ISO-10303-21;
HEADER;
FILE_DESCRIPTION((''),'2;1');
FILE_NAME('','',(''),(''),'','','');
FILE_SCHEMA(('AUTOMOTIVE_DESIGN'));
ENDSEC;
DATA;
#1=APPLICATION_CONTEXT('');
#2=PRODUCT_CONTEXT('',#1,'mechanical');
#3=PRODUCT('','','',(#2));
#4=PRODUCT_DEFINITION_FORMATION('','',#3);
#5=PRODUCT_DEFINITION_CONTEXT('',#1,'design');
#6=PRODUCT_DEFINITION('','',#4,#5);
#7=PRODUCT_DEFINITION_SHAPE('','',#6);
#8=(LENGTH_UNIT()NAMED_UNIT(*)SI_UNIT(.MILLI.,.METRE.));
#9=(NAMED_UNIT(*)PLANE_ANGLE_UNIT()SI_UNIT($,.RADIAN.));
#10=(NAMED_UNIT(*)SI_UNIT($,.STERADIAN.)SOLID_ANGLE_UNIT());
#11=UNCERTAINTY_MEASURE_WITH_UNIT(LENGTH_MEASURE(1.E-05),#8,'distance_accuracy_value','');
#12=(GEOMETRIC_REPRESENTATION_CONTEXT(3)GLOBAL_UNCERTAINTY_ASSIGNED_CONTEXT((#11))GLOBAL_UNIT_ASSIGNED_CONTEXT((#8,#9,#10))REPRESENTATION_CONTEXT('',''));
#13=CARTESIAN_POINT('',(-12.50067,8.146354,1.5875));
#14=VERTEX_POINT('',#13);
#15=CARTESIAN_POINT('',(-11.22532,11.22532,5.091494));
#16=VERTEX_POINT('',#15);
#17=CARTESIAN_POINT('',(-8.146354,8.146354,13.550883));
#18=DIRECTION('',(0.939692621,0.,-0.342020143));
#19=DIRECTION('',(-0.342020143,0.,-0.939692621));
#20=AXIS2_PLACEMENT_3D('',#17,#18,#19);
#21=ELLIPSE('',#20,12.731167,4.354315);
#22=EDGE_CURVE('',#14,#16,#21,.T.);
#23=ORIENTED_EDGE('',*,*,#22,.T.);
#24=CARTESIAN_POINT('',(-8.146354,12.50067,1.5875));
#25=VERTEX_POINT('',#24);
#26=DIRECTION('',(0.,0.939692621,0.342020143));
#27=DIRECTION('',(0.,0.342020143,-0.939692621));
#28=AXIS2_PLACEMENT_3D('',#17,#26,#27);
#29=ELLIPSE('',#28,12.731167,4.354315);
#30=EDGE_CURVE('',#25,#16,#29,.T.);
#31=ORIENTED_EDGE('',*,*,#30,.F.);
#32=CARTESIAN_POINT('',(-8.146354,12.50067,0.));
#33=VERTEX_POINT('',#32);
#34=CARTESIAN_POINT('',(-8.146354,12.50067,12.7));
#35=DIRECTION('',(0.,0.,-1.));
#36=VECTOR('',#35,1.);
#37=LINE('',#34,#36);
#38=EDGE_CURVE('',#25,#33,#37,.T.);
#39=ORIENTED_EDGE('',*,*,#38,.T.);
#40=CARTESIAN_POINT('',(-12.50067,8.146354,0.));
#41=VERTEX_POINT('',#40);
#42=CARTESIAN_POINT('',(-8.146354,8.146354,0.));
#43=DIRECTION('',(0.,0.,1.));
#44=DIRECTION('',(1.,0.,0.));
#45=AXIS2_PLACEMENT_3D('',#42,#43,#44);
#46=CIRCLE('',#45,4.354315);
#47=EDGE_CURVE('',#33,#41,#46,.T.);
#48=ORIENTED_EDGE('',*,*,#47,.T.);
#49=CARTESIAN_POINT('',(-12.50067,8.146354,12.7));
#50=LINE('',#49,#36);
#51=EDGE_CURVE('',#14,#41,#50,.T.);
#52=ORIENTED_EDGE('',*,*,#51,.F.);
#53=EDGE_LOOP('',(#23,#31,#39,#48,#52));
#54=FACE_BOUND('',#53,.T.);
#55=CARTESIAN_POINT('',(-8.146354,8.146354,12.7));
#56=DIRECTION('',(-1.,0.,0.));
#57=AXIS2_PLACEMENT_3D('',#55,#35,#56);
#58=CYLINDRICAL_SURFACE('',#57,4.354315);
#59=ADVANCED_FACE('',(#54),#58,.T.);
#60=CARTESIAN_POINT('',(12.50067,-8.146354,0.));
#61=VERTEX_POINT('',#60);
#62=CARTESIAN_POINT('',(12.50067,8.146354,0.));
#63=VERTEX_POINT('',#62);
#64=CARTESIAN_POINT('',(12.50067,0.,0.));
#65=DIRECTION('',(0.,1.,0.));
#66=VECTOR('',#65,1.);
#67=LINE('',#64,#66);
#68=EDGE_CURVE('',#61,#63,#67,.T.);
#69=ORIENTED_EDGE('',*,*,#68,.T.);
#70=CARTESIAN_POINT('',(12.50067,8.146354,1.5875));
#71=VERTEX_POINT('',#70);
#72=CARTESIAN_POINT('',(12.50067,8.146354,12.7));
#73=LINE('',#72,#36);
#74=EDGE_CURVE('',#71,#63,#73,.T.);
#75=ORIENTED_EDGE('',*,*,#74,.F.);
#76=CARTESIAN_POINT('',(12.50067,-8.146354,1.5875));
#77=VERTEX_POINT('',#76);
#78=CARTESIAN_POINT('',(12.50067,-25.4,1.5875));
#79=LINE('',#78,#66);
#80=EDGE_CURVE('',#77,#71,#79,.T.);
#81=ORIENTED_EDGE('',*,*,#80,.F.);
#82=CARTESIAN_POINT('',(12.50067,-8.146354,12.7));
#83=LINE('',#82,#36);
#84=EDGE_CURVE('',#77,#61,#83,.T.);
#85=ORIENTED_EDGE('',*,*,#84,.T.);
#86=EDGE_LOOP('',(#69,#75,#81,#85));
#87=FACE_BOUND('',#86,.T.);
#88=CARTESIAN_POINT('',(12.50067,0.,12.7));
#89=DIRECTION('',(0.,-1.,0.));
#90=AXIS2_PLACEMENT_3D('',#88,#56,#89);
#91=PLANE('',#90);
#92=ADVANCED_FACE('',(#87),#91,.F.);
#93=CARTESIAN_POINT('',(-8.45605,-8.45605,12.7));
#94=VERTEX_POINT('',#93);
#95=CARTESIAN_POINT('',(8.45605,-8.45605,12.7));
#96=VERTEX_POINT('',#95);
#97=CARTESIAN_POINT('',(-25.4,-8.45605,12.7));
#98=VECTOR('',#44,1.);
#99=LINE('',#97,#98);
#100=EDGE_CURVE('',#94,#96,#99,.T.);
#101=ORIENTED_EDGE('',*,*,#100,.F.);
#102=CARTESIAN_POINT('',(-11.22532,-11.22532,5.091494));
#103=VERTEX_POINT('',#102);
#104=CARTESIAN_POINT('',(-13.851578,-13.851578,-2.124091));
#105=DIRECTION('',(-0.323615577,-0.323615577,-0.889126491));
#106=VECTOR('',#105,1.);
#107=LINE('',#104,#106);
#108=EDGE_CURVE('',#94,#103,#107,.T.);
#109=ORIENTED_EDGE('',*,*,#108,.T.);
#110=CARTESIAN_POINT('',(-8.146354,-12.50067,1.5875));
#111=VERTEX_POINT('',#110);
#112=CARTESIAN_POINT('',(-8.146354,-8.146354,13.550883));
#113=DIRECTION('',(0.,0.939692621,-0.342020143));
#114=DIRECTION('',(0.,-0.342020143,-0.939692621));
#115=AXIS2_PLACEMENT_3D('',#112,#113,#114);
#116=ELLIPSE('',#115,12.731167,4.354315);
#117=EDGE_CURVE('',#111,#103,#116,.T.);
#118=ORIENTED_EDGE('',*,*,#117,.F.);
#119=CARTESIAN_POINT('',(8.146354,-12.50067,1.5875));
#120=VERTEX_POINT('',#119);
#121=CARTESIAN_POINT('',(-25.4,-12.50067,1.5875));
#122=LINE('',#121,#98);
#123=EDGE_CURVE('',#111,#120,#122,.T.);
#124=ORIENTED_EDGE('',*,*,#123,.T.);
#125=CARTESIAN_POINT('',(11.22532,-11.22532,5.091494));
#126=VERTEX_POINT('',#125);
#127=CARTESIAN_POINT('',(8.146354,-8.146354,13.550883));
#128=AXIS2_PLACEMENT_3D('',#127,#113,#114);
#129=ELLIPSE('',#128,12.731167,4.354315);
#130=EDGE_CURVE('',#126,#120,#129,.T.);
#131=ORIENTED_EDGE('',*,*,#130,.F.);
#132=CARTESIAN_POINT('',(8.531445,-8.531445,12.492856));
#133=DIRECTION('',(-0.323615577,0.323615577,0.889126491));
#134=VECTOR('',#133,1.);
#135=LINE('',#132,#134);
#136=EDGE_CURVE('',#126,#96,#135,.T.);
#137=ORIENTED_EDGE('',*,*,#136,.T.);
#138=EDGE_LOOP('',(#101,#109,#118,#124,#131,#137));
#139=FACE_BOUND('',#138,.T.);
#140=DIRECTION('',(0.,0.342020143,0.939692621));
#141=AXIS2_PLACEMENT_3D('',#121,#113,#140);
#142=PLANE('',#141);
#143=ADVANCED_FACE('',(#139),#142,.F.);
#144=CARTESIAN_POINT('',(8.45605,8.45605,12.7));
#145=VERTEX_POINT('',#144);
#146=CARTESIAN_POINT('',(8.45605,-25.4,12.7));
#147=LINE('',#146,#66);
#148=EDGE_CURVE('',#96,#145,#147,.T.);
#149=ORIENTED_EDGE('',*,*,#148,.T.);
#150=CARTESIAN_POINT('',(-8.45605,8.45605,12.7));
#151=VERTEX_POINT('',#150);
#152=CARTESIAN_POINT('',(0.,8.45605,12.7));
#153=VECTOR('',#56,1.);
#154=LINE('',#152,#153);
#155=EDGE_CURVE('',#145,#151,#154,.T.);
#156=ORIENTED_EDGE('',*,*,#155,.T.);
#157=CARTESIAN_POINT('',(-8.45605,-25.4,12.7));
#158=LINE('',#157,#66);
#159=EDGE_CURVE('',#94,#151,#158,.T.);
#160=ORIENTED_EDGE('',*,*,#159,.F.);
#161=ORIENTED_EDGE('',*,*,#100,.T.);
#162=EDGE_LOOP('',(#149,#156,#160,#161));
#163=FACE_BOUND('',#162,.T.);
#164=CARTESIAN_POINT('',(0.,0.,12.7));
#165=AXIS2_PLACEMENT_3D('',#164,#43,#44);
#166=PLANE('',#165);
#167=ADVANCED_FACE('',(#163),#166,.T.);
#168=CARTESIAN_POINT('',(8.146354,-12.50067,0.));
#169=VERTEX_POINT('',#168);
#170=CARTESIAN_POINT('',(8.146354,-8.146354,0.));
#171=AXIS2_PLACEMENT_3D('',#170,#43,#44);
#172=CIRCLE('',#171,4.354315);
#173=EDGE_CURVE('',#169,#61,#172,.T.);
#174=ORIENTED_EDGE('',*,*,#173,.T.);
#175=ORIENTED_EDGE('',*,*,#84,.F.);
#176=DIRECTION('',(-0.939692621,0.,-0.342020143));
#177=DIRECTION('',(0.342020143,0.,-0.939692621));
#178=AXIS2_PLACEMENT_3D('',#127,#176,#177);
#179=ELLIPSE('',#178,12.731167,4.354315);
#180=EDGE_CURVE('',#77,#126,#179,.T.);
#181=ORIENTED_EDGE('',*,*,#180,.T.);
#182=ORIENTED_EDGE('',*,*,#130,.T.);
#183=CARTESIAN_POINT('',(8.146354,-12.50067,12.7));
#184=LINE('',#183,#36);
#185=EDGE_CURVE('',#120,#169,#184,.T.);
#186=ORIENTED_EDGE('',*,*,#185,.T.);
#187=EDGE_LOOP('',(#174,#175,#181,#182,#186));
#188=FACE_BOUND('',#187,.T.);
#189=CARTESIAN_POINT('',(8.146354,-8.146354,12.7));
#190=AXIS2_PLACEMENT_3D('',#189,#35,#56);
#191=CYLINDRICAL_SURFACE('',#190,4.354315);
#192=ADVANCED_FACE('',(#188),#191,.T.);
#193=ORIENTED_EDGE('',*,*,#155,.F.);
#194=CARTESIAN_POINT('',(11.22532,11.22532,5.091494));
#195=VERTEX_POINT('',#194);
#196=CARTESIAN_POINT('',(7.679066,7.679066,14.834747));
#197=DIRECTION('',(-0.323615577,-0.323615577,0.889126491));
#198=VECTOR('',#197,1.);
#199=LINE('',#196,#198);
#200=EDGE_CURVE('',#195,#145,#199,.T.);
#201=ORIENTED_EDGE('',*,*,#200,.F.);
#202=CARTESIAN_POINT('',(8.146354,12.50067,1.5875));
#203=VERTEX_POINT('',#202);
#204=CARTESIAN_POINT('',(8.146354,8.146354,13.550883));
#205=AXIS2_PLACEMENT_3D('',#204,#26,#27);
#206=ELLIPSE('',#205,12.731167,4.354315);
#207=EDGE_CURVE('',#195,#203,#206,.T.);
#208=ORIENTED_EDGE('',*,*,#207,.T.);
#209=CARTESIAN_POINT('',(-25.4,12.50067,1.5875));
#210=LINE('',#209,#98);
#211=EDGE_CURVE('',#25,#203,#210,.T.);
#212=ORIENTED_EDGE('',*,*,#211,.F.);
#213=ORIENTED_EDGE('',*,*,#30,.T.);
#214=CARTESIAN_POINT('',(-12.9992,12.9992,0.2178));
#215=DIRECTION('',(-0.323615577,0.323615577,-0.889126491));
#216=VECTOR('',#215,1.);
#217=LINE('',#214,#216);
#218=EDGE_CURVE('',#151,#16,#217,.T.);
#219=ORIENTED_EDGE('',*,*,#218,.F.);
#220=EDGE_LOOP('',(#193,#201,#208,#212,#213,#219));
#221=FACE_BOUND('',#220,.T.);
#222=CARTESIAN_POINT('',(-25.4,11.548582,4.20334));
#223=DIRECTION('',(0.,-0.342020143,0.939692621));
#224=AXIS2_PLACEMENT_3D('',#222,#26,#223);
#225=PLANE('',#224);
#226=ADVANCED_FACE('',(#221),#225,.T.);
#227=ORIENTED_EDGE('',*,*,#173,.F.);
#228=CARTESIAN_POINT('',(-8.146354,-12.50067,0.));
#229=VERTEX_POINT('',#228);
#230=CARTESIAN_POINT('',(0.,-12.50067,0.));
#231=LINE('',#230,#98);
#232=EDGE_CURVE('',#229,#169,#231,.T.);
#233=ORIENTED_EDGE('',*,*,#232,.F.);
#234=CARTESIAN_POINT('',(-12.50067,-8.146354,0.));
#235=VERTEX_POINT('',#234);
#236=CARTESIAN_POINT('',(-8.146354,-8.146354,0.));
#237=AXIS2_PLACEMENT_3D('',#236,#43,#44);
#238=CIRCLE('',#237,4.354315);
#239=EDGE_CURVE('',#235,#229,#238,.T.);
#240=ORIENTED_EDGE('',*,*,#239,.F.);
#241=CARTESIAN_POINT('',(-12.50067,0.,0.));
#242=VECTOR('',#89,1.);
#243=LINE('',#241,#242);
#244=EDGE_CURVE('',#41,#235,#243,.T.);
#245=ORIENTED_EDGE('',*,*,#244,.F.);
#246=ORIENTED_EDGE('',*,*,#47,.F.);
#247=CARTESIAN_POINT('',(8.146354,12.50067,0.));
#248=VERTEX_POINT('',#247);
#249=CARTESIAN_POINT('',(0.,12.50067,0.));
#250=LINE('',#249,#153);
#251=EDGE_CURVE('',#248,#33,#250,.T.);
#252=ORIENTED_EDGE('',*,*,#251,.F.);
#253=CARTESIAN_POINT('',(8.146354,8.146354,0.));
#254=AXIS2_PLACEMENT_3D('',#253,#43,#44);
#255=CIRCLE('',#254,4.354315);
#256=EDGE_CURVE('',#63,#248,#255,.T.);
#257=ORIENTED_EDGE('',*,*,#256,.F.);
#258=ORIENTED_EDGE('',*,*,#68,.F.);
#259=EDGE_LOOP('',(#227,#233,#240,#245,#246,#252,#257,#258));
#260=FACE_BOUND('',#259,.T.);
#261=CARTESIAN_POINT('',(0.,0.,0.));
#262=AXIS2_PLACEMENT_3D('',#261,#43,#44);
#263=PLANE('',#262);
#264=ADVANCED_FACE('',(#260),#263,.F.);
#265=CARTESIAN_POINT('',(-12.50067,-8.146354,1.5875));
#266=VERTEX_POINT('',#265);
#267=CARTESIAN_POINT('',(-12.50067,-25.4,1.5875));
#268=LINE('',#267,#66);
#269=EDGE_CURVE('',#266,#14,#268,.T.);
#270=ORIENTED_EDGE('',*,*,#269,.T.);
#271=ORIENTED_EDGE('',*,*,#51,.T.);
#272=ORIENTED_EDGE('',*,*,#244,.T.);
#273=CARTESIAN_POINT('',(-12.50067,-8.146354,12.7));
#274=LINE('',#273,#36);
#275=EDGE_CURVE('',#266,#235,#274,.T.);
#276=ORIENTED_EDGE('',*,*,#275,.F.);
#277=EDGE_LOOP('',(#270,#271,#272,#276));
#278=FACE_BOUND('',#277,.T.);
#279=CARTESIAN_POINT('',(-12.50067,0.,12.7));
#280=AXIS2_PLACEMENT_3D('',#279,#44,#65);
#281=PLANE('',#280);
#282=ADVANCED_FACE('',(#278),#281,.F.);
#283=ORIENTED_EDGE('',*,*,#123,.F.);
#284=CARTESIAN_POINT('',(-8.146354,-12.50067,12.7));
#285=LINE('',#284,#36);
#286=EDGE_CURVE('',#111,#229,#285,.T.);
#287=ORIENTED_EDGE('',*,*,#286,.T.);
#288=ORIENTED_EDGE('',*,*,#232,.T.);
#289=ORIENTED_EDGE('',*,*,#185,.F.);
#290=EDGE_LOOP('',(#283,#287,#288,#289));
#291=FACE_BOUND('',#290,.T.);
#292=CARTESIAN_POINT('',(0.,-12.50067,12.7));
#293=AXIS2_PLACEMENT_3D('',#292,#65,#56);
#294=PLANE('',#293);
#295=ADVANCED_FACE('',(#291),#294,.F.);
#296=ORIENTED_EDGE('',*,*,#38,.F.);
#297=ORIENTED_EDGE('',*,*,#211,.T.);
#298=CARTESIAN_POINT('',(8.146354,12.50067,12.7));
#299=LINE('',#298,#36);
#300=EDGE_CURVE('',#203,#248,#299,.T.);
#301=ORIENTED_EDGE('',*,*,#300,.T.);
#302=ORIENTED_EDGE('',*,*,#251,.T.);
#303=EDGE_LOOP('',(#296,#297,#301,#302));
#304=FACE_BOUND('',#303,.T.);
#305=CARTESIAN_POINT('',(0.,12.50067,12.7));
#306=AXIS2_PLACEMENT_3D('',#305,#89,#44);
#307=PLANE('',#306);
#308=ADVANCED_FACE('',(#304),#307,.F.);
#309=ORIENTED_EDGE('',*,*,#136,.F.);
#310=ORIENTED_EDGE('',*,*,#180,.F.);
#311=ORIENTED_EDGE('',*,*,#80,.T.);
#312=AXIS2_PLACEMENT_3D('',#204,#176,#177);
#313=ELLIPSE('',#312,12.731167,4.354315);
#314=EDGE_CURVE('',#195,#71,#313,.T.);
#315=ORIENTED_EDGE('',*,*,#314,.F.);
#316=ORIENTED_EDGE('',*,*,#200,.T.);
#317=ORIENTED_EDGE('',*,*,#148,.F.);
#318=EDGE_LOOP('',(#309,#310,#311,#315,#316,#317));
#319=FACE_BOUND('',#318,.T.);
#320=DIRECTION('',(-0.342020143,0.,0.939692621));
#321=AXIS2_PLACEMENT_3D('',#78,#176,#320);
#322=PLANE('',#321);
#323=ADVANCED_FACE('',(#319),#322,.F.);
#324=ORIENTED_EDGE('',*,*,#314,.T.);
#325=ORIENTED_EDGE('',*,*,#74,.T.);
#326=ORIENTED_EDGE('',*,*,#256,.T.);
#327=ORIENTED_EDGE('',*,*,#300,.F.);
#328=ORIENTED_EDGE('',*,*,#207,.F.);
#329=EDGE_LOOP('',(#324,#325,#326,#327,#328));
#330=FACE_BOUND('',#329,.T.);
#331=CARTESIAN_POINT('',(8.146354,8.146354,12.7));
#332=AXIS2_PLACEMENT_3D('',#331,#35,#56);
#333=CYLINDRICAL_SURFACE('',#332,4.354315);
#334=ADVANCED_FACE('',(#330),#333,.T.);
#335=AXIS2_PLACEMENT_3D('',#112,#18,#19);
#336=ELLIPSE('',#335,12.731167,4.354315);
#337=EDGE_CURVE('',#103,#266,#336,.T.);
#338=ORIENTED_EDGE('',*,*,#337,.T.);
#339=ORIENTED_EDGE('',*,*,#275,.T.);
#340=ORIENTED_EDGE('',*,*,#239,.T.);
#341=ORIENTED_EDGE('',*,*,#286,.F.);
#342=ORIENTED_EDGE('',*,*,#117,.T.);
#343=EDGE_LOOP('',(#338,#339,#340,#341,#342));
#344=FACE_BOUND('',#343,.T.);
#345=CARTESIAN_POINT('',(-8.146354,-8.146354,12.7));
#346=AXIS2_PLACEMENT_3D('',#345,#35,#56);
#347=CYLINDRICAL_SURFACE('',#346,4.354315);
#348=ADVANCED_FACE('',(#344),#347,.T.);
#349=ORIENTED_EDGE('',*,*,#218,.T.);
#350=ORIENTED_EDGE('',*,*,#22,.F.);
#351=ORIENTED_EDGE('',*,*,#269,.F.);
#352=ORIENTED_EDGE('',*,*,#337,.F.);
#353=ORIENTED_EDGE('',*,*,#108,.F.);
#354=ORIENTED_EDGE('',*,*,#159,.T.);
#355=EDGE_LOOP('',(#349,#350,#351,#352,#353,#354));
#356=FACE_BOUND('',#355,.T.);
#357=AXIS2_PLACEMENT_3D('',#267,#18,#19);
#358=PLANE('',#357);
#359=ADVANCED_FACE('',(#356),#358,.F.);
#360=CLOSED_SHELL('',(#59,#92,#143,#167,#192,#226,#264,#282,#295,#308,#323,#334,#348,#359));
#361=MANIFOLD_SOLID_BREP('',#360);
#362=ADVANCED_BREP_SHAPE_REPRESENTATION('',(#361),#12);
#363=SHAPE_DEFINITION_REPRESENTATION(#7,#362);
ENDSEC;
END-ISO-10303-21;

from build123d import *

# Parameters (mm, degrees)
SKETCH1_R           = 4.354315493
BOSS_EXTRUDE1_DEPTH = 12.7
CUT_EXTRUDE1_DEPTH  = 25.4
CUT_EXTRUDE2_DEPTH  = 25.4


with BuildPart() as part:
    # Sketch1 → Boss-Extrude1 (new body)
    with BuildSketch(Plane.XY):
        with BuildLine():
            ThreePointArc((-3.792038647, 8.146354139), (-8.146354139, 3.792038647), (-12.500669632, 8.146354139))
            Line((-12.500669632, 8.146354139), (-12.500669632, -8.146354139))
            ThreePointArc((-12.500669632, -8.146354139), (-8.146354139, -3.792038647), (-3.792038647, -8.146354139))
            ThreePointArc((-3.792038647, -8.146354139), (-5.067388127, -11.225320151), (-8.146354139, -12.500669632))
            Line((-8.146354139, -12.500669632), (8.146354139, -12.500669632))
            ThreePointArc((8.146354139, -12.500669632), (5.067388127, -5.067388127), (12.500669632, -8.146354139))
            Line((12.500669632, -8.146354139), (12.500669632, 8.146354139))
            ThreePointArc((12.500669632, 8.146354139), (5.067388127, 5.067388127), (8.146354139, 12.500669632))
            Line((8.146354139, 12.500669632), (-8.146354139, 12.500669632))
            ThreePointArc((-8.146354139, 12.500669632), (-5.067388127, 11.225320151), (-3.792038647, 8.146354139))
        make_face()
        with Locations((-8.146354139, 8.146354139)):
            Circle(SKETCH1_R)
        with Locations((-8.146354139, -8.146354139)):
            Circle(SKETCH1_R)
        with Locations((8.146354139, 8.146354139)):
            Circle(SKETCH1_R)
        with Locations((8.146354139, -8.146354139)):
            Circle(SKETCH1_R)
    extrude(amount=BOSS_EXTRUDE1_DEPTH)

    # Sketch2 → Cut-Extrude1 (cut, symmetric)
    with BuildSketch(Plane(origin=(0, 0, 0), x_dir=(0, 0, -1), z_dir=(1, 0, 0))):
        Polygon((-12.7, 12.500669632), (-1.5875, 12.500669632), (-12.7, 8.456050403), align=None)
        Polygon((-1.5875, -12.500669632), (-12.7, -8.456050403), (-12.7, -12.500669632), align=None)
    extrude(amount=CUT_EXTRUDE1_DEPTH, both=True, mode=Mode.SUBTRACT)

    # Sketch3 → Cut-Extrude2 (cut, symmetric)
    with BuildSketch(Plane(origin=(0, 0, 0), x_dir=(1, 0, 0), z_dir=(0, 1, 0))):
        Polygon((12.500669632, -1.5875), (8.456050403, -12.7), (12.500669632, -12.7), align=None)
        Polygon((-8.456050403, -12.7), (-12.500669632, -12.7), (-12.500669632, -1.5875), align=None)
    extrude(amount=CUT_EXTRUDE2_DEPTH, both=True, mode=Mode.SUBTRACT)


solid = part.part
